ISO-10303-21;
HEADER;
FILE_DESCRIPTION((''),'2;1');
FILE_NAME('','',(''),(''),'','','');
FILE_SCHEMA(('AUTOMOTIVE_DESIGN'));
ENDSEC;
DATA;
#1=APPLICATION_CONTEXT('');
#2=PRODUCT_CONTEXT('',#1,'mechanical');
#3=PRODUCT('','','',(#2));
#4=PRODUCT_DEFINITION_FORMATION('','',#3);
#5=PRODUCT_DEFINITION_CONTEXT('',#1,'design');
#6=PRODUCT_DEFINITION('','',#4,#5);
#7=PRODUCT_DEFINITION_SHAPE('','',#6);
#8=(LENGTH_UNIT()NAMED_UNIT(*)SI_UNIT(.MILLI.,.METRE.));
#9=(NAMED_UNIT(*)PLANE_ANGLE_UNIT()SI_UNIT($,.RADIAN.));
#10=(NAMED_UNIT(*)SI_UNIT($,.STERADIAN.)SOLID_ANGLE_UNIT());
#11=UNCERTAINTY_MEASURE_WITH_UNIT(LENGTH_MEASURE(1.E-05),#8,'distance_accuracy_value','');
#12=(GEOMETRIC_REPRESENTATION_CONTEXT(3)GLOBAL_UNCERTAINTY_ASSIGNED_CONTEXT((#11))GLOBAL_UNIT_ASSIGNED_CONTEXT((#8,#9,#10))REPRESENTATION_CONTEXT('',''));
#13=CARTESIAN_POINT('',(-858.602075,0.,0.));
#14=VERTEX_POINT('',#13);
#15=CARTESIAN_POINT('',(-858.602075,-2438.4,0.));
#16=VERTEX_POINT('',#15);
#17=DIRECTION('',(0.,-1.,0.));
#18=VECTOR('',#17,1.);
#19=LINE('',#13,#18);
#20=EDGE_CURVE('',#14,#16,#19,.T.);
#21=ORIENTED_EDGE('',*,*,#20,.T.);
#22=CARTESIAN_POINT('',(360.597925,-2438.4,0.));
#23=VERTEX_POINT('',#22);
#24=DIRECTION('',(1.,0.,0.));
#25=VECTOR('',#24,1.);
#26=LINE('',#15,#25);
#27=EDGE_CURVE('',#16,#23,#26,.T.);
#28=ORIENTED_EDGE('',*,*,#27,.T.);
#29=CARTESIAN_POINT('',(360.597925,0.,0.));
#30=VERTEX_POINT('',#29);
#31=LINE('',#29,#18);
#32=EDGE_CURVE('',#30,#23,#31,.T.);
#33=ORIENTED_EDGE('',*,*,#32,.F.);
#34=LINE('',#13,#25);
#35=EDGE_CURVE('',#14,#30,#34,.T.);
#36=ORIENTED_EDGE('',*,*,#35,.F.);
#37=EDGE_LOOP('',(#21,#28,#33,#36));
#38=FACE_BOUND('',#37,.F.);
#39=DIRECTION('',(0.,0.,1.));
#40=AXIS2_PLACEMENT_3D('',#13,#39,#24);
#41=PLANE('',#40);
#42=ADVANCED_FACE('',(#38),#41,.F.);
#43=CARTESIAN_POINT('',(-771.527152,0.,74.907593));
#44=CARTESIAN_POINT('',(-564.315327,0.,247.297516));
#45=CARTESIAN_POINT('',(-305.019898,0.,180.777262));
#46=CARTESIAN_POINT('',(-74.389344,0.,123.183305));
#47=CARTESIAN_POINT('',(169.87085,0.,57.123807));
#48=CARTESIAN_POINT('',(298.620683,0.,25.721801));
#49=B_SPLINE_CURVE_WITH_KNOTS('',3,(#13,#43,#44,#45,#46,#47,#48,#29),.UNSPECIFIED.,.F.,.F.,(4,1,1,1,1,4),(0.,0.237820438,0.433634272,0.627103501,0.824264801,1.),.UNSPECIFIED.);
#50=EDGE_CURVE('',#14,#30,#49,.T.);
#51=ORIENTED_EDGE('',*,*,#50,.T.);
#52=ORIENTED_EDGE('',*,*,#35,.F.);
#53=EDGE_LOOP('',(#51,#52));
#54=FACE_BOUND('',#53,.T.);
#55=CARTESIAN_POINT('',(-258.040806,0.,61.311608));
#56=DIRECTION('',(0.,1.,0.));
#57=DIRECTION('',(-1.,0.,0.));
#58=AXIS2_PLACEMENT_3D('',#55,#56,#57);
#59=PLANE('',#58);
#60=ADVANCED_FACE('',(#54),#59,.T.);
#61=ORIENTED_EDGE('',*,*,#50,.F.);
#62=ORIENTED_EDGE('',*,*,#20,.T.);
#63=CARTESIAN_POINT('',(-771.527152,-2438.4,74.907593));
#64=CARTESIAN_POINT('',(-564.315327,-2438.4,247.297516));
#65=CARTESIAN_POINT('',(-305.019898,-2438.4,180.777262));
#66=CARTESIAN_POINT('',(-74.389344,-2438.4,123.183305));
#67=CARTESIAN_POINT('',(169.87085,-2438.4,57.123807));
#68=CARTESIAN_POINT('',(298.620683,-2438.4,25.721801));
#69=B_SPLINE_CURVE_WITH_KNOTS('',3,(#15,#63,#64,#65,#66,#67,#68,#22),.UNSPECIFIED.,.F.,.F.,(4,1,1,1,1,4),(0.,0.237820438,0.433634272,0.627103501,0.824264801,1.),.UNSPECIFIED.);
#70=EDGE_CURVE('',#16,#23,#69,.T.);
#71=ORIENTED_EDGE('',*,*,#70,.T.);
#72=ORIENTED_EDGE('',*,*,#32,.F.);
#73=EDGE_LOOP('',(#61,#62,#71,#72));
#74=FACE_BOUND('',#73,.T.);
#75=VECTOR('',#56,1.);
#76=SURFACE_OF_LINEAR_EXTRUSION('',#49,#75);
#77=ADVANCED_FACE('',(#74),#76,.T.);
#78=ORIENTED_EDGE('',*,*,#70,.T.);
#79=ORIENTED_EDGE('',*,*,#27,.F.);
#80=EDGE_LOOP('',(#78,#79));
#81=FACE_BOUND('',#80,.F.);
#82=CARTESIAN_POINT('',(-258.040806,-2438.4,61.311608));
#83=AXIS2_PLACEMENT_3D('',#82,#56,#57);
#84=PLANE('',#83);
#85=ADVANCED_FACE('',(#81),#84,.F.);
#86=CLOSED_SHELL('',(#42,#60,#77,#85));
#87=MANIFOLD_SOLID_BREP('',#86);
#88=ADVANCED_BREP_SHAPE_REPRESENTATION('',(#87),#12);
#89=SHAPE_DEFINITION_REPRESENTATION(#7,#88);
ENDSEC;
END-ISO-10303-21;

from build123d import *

# Parameters (mm, degrees)
F1_DEPTH = 2438.4


with BuildPart() as f1:
    # F0 (on Front) → F1 (new body)
    with BuildSketch(Plane.XZ):
        with BuildLine():
            add(Edge.make_bspline(
                [(-858.6020748116, 0), (-771.527152403, 74.9075926936), (-564.3153271842, 247.2975159324), (-305.0198979268, 180.7772617281), (-74.389343901, 123.1833049346), (169.8708501994, 57.1238070122), (298.620683407, 25.7218013878), (360.5979251884, 0)],
                knots=[0, 0, 0, 0, 0.2378204375, 0.433634272, 0.6271035012, 0.8242648006, 1, 1, 1, 1], degree=3))
            Line((-858.6020748116, 0), (360.5979251884, 0))
        make_face()
    extrude(amount=F1_DEPTH)


solid = f1.part
